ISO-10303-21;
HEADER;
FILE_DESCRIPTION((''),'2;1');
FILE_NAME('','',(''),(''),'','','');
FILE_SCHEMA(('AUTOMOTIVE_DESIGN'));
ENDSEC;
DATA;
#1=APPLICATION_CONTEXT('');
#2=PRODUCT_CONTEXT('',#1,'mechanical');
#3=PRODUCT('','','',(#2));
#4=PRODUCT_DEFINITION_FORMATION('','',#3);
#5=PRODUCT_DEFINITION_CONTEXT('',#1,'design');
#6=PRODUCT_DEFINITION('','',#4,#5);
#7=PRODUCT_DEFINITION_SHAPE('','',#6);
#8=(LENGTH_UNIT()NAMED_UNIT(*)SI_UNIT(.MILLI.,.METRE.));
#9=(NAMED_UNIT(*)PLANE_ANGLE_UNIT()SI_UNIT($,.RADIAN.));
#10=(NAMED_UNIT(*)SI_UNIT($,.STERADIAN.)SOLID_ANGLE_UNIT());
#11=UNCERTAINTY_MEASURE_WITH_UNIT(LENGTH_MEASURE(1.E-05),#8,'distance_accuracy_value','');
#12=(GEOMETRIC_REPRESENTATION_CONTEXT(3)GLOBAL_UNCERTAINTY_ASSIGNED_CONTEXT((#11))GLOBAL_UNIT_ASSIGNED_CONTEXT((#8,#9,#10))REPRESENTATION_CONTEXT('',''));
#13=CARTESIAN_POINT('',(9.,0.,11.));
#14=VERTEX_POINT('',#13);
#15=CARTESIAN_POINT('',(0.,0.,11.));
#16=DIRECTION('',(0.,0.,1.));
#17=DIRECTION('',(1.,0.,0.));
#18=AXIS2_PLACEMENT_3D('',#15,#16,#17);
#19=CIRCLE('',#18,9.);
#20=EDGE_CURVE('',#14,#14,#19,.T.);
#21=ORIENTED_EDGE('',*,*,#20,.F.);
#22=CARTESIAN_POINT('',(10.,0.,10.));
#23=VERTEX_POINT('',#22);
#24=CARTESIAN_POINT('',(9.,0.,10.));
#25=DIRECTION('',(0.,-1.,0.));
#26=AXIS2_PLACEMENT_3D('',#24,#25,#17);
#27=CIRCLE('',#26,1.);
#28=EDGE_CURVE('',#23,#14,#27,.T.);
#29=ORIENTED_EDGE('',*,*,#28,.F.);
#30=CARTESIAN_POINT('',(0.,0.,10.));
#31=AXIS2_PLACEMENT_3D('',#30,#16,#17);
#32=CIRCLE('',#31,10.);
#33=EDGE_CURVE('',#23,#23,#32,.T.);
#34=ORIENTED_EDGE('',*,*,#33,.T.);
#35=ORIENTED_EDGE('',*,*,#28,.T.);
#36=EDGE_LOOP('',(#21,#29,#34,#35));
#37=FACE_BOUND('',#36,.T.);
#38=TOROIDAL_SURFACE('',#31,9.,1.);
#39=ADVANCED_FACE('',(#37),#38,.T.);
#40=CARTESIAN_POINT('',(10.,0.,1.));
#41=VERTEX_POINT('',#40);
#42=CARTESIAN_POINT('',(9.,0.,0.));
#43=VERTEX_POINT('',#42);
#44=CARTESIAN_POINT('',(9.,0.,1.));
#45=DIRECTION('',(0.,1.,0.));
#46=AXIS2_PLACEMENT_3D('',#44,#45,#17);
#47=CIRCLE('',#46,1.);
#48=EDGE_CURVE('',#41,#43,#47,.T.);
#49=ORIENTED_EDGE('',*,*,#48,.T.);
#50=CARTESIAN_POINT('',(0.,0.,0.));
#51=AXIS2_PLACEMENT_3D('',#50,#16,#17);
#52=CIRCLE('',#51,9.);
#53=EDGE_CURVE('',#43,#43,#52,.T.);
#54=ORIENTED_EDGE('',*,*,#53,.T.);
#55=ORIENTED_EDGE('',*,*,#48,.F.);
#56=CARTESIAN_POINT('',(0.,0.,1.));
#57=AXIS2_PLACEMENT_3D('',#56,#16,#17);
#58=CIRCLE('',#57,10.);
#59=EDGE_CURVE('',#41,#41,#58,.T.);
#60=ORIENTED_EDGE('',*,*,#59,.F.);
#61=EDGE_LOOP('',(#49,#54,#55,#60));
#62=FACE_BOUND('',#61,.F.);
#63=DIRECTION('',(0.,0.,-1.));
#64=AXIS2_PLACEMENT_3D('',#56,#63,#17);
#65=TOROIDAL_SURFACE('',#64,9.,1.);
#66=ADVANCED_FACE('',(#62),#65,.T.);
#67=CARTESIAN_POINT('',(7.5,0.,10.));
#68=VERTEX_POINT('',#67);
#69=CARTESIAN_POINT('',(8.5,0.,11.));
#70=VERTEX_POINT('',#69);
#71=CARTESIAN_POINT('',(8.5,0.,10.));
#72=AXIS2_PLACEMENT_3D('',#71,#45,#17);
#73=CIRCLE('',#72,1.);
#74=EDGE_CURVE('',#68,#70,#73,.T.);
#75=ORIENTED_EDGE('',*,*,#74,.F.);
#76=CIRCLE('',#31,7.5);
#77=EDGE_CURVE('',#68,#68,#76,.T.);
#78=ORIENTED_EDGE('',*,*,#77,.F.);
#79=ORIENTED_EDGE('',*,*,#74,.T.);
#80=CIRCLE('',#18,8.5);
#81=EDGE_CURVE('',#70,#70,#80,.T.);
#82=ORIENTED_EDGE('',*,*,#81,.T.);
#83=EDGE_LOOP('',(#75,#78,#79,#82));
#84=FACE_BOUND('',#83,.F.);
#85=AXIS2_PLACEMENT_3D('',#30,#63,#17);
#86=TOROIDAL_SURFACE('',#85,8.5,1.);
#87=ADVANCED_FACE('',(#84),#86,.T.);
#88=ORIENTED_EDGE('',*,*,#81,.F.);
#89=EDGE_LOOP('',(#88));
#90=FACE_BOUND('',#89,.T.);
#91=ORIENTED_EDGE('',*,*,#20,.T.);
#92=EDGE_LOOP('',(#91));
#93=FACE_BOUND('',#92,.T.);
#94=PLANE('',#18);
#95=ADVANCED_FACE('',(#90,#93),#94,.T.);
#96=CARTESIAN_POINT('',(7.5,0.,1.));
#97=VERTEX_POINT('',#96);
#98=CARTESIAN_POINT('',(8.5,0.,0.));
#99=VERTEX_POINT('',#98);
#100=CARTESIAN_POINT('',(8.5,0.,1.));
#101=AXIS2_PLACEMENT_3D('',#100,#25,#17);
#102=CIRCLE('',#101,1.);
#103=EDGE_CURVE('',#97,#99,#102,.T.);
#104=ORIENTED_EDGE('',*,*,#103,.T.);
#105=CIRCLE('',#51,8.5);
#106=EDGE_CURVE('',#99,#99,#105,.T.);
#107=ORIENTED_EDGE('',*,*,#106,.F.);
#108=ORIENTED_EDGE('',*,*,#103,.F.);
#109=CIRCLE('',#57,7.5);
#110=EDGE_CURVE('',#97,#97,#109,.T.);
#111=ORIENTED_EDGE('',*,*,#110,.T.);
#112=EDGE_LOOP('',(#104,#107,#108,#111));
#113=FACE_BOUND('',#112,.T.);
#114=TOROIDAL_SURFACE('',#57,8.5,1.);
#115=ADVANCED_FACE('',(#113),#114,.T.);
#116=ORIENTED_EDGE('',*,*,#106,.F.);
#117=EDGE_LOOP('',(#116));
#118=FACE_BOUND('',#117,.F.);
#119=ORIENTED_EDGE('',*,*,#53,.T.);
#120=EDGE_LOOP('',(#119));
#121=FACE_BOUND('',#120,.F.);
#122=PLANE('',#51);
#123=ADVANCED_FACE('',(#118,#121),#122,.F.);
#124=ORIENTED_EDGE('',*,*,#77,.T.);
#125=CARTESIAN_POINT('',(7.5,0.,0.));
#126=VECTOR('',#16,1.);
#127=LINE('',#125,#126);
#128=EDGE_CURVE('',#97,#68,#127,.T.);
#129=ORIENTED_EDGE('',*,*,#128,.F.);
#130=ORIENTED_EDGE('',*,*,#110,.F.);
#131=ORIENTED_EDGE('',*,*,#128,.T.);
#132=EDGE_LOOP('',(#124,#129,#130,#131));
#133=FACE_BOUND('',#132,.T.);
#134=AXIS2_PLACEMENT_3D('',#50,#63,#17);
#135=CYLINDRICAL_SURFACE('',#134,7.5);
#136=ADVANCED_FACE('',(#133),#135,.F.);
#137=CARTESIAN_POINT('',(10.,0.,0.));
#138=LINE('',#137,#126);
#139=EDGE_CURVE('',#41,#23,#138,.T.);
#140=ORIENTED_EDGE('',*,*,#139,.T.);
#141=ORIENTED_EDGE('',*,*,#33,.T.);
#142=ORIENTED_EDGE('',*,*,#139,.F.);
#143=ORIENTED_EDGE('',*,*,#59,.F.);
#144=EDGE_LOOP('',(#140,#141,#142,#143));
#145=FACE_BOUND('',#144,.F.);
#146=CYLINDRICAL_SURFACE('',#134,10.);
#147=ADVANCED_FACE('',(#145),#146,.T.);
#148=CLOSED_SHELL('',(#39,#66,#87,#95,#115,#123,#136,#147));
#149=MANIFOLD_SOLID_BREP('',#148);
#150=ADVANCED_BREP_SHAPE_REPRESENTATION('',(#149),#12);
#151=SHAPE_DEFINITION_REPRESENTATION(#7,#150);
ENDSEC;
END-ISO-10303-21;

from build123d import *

# Parameters (mm, degrees)
F0_R     = 10
F0_R_2   = 7.5
F1_DEPTH = 11
F2_R     = 1


with BuildPart() as f1:
    # F0 (on Top) → F1 (new body)
    with BuildSketch(Plane.XY):
        Circle(F0_R)
        Circle(F0_R_2, mode=Mode.SUBTRACT)
    extrude(amount=F1_DEPTH)

    # F2
    f2_edges = [f1.edges().sort_by_distance(p)[0] for p in [
        (7.5, 0, 5.5),
        (-7.5, 0, 0),
        (-7.5, 0, 11),
        (-10, 0, 11),
        (-10, 0, 0),
    ]]
    fillet(f2_edges, radius=F2_R)


solid = f1.part
